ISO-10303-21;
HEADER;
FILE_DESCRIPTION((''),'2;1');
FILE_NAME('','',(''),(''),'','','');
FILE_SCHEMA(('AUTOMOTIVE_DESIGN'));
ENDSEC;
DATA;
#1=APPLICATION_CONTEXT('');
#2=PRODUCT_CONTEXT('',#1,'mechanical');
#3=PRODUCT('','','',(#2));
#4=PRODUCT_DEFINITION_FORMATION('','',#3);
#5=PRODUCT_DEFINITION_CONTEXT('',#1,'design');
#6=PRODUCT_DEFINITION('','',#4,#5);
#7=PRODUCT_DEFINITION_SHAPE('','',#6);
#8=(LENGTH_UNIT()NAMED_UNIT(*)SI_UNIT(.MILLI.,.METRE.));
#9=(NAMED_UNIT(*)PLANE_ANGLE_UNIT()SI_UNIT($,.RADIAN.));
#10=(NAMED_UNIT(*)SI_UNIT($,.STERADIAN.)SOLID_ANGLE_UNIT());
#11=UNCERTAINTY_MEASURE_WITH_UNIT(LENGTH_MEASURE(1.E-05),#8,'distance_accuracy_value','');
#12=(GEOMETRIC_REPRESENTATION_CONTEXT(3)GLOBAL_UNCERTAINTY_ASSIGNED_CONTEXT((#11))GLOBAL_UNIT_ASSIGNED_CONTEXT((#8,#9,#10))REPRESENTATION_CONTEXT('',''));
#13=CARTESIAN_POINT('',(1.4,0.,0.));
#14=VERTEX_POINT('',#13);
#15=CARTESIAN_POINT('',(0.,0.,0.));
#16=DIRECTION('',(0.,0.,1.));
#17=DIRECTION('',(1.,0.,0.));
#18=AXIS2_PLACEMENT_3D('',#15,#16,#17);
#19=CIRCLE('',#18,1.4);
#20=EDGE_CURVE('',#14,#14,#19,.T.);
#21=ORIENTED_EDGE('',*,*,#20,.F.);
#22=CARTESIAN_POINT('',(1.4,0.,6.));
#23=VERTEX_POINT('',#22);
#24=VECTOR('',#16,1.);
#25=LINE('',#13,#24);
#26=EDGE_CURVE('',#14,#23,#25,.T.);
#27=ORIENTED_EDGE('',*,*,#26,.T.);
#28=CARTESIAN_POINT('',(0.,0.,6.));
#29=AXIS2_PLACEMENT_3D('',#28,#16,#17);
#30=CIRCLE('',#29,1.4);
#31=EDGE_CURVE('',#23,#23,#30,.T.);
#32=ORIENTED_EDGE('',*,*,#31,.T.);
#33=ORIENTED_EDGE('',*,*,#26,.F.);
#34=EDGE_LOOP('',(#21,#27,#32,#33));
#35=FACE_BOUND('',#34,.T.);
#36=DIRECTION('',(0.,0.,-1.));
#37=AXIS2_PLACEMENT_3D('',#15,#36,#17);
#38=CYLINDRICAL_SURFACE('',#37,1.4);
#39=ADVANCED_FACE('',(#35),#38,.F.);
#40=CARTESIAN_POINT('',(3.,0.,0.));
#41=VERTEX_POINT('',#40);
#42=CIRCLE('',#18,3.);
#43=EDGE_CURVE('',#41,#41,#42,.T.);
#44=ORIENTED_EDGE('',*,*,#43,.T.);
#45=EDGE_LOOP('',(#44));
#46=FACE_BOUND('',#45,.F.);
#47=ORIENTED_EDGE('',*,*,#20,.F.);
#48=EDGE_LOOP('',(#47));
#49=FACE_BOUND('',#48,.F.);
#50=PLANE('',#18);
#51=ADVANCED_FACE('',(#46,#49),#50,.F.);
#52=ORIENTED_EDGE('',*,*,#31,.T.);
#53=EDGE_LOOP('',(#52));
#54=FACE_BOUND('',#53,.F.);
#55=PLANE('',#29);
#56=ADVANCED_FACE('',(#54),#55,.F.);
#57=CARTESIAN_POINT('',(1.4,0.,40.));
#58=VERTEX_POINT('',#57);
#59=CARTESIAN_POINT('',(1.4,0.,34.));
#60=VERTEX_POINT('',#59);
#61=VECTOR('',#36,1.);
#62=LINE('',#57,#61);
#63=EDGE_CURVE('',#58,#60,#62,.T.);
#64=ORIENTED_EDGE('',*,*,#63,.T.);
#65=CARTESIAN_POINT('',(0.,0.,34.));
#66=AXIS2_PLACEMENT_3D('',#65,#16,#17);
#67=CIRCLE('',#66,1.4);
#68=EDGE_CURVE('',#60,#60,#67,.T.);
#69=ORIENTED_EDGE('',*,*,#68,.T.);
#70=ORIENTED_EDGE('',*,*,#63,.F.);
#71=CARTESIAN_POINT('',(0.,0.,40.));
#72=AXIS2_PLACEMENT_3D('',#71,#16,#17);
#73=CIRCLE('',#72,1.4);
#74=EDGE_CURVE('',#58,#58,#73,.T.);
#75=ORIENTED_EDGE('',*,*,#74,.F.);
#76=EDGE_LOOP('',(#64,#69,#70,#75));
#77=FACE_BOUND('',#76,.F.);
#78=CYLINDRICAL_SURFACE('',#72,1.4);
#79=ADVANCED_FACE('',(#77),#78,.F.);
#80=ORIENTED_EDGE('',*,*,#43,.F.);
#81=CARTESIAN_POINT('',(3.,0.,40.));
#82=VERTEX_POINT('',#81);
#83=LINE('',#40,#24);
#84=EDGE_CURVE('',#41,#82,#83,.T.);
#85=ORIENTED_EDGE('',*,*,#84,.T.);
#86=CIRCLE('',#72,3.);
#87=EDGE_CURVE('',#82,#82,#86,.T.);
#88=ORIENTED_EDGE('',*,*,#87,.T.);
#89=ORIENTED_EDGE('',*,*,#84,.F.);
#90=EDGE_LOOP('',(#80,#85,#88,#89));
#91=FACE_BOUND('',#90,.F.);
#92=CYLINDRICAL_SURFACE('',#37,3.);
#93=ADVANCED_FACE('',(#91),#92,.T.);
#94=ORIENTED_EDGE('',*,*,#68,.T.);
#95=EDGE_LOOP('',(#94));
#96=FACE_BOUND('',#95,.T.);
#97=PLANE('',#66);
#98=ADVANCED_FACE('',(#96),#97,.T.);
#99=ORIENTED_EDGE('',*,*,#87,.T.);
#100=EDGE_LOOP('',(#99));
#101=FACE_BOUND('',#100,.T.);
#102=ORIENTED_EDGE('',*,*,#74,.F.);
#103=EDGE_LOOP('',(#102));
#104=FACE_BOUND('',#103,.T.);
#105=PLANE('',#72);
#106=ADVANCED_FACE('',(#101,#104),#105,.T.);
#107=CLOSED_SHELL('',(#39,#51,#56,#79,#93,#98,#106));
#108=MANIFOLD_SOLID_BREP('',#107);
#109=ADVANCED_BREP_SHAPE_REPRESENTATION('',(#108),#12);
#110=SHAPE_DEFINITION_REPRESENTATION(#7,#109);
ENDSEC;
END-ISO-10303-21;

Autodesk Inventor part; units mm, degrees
ref_plane "YZ Plane" through (0, 0, 0) normal (1, 0, 0) x (0, 1, 0)
ref_plane "XZ Plane" through (0, 0, 0) normal (0, 1, 0) x (-1, 0, 0)
ref_plane "XY Plane" through (0, 0, 0) normal (0, 0, 1) x (1, 0, 0)
sketch "スケッチ1" plane through (0, 0, 0) normal (0, 0, 1) x (1, 0, 0)
  circle A0 centre (0, 0) radius 1.4
  circle A1 centre (0, 0) radius 3
  dimension "d0" = 2.8
  dimension "d1" = 6
extrude "押し出し1" add sketch "スケッチ1" along normal blind 40 contours A0 | A1
sketch "スケッチ2" plane through (0, 0, 40) normal (0, 0, 1) x (1, 0, 0)
  circle A0 centre (0, 0) radius 1.4
  dimension "d4" = 2.8
extrude "押し出し2" cut sketch "スケッチ2" against normal blind 6
extrude "押し出し3" cut sketch "スケッチ1" along normal blind 6 contours A0
properties part number "40mm" material "アルミニウム 2014-T4"
